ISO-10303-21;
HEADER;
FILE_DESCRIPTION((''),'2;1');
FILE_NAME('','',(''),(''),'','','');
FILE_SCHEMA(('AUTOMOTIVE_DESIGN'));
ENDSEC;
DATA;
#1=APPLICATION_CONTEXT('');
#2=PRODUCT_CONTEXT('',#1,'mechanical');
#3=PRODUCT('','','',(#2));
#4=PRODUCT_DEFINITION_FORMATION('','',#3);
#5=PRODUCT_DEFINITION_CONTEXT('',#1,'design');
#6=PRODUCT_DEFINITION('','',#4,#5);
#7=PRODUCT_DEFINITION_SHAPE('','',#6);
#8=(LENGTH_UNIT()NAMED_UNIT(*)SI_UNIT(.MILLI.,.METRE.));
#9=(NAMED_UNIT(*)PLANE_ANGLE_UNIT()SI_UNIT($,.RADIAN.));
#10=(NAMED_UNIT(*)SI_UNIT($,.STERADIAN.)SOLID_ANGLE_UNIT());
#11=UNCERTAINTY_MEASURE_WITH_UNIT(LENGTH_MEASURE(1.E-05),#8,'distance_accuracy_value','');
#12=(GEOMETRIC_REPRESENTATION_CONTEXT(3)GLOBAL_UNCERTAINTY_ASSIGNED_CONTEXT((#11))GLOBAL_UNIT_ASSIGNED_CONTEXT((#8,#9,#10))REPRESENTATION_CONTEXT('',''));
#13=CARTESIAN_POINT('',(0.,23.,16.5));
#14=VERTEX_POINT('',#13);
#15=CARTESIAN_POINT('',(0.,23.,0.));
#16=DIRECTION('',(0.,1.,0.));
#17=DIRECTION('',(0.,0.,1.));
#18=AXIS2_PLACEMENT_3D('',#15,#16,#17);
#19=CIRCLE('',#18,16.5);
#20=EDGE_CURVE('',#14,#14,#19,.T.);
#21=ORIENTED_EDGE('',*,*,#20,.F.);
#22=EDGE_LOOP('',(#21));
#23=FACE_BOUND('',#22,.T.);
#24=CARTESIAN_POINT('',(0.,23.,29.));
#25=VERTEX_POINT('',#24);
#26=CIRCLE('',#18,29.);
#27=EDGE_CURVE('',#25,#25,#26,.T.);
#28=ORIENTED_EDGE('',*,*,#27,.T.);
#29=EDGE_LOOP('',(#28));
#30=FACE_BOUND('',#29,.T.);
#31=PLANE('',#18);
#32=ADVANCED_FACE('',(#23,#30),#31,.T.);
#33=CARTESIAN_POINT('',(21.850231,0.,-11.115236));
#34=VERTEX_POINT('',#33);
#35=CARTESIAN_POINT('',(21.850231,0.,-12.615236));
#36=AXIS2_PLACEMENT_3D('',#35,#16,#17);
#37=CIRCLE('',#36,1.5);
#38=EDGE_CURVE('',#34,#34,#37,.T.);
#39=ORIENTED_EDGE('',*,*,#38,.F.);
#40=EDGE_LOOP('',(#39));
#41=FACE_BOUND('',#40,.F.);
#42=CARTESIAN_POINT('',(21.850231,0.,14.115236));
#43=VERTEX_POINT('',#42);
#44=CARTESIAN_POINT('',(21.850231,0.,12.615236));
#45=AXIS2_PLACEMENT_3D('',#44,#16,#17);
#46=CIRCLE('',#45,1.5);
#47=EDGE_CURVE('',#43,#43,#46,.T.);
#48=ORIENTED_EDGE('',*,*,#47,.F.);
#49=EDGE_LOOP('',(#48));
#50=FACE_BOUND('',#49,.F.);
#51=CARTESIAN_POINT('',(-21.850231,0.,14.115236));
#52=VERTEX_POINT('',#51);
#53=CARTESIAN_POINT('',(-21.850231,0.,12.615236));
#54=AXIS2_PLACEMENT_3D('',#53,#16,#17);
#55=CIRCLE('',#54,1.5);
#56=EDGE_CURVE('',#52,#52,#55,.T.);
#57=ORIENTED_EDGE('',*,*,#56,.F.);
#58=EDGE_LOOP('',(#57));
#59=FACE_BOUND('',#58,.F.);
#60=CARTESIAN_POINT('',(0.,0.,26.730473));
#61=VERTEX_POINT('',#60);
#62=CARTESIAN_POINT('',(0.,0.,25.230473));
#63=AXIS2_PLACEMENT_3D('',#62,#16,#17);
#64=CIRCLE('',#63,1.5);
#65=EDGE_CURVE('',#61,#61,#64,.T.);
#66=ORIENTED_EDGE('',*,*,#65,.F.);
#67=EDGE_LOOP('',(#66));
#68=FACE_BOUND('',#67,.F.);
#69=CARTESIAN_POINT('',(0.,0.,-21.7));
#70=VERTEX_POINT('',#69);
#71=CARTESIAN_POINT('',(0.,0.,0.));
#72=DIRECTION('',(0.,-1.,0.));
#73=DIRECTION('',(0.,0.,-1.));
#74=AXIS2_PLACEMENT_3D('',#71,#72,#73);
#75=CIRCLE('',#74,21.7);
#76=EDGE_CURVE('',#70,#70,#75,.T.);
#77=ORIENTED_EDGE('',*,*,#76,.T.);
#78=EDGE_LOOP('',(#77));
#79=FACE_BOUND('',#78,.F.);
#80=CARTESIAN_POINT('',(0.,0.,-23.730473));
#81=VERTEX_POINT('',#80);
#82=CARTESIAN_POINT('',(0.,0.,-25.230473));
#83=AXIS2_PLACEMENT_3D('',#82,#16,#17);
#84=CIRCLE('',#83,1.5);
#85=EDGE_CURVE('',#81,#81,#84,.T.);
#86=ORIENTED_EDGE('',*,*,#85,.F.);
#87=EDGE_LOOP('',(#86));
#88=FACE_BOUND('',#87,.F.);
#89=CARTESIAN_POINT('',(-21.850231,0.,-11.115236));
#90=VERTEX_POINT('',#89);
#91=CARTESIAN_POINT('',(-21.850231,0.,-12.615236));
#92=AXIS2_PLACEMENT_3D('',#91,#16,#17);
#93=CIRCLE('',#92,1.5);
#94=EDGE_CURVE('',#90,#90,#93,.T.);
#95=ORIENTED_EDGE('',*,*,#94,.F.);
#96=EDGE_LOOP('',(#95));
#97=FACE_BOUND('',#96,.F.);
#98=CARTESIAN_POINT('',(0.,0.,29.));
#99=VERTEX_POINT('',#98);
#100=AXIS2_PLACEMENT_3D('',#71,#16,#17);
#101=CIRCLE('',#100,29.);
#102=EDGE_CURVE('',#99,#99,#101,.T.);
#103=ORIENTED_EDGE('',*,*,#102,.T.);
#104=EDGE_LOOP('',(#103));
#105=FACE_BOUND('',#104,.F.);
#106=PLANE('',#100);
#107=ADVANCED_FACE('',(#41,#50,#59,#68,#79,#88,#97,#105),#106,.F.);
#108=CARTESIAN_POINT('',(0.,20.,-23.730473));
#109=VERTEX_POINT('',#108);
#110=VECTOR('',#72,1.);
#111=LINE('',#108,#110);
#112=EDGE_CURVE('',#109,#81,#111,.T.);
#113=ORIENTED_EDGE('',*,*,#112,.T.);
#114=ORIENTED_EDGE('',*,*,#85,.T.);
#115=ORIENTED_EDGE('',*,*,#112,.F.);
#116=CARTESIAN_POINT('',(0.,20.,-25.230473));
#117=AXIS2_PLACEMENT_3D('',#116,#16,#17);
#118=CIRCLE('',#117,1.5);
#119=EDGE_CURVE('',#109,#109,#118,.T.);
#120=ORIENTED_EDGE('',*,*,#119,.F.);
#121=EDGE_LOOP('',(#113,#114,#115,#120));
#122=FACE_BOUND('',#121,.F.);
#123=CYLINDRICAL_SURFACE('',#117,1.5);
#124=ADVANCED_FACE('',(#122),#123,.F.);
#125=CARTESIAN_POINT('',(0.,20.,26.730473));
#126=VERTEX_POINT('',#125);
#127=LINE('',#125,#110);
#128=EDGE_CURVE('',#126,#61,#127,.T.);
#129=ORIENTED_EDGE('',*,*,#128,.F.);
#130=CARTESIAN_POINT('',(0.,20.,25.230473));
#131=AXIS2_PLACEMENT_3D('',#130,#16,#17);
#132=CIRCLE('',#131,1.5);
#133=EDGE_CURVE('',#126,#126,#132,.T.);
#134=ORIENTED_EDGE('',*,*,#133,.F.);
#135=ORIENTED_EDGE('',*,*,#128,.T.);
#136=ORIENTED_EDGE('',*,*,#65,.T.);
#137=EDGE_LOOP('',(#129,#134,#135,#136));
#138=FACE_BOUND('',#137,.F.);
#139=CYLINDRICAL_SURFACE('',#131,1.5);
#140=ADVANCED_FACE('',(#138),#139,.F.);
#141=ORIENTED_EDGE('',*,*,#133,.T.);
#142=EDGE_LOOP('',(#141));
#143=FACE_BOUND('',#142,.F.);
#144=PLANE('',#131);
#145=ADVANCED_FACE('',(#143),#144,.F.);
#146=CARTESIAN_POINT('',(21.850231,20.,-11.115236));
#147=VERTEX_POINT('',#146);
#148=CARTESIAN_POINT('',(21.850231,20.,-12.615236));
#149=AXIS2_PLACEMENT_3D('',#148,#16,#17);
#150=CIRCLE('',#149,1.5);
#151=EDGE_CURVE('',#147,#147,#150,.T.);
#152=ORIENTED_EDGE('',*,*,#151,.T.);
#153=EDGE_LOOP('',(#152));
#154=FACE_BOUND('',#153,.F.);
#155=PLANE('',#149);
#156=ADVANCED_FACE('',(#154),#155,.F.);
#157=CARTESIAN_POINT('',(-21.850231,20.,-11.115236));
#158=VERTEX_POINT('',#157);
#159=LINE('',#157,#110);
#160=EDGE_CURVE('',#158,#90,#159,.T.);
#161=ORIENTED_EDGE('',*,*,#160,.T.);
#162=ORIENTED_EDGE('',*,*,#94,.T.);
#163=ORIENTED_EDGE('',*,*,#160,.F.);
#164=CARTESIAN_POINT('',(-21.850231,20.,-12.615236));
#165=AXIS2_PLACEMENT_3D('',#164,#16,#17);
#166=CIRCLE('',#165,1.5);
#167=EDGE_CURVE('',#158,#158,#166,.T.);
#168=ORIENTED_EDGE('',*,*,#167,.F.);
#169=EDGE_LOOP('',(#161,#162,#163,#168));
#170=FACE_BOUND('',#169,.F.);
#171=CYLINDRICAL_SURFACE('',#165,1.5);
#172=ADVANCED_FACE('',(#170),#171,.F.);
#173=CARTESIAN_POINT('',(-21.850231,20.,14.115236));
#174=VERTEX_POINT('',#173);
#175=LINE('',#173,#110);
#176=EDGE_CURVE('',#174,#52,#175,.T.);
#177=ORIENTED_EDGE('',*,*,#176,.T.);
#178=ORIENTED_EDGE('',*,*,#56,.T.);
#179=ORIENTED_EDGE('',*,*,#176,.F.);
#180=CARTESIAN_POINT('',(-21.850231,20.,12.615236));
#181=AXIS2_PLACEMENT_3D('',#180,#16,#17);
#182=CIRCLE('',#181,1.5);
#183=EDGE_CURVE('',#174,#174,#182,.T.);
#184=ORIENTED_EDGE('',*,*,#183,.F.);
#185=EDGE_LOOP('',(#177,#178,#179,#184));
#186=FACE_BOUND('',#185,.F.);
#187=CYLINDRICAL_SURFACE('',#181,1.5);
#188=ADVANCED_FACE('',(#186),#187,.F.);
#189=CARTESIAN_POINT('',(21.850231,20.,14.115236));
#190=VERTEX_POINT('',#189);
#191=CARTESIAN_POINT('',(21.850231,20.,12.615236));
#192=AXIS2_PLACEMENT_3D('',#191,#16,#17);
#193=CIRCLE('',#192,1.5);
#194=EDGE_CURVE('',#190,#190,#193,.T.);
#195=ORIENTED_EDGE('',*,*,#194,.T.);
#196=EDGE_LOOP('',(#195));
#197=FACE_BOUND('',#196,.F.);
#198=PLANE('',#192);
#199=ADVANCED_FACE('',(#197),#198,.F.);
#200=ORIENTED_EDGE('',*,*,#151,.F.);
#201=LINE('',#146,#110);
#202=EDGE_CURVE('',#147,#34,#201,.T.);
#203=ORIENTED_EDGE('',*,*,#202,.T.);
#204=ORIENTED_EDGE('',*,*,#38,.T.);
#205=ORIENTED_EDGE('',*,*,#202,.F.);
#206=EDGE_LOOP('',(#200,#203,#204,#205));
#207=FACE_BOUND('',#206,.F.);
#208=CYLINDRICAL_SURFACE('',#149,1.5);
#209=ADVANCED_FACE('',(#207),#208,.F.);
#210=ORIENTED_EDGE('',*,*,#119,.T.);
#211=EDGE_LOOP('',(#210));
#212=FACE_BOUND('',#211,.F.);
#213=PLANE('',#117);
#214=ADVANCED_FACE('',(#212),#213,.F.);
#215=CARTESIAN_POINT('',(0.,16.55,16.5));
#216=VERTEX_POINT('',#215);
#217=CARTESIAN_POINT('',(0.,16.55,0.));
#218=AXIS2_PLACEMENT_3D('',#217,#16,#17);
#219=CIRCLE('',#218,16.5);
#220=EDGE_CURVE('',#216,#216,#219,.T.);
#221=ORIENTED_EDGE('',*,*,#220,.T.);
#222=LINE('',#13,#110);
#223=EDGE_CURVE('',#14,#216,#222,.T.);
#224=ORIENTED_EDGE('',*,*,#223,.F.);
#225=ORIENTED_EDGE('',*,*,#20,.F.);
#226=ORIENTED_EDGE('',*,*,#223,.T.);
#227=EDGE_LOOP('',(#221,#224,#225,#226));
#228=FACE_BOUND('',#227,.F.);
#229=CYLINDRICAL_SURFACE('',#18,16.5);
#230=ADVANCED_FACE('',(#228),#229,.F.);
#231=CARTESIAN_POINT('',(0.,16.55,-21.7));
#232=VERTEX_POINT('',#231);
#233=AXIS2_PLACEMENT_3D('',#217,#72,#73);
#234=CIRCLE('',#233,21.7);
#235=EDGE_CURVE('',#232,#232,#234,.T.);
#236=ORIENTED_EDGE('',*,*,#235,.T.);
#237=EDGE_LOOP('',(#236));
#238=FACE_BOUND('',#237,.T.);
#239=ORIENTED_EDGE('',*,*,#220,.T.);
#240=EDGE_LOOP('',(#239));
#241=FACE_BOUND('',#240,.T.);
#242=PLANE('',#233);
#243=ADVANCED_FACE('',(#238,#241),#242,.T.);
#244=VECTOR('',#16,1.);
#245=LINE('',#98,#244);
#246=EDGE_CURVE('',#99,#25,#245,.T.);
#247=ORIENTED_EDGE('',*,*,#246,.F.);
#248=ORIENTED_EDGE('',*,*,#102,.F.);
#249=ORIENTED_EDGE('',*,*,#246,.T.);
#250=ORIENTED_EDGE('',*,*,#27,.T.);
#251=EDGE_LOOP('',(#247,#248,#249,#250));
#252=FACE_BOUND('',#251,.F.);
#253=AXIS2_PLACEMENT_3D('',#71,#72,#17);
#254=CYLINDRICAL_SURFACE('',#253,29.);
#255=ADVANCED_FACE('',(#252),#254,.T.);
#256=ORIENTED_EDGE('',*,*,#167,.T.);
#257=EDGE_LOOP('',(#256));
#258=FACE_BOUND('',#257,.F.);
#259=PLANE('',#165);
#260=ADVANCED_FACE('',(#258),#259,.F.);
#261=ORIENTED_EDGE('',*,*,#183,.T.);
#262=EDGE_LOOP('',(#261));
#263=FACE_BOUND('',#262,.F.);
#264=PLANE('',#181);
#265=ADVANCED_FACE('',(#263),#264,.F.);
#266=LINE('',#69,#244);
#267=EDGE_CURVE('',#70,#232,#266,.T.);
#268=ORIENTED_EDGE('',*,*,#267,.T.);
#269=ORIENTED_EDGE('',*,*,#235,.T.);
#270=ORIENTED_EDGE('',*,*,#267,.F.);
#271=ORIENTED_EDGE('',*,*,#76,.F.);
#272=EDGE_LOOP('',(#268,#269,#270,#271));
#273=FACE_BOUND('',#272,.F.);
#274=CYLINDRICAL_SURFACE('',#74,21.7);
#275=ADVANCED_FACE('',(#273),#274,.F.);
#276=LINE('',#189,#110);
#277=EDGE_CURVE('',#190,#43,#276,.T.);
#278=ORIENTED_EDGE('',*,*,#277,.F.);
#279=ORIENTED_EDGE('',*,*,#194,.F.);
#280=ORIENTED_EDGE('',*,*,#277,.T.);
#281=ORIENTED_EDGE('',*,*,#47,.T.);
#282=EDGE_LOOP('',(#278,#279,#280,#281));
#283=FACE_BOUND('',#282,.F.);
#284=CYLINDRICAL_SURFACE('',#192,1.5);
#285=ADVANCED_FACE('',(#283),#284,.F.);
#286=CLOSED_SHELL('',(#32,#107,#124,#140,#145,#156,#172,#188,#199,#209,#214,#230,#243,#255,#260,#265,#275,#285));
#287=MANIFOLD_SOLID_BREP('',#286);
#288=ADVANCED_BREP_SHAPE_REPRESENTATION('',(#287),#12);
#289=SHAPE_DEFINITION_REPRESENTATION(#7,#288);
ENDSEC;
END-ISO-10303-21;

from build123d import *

# Parameters (mm, degrees)
SKETCH2_R          = 29
EXTRUDE1_DEPTH     = 23
SKETCH3_R          = 21.7
CUT_EXTRUDE1_DEPTH = 16.55
SKETCH4_R          = 16.5
CUT_EXTRUDE2_DEPTH = 48.021271782
CUT_EXTRUDE3_START = -3
SKETCH5_R          = 1.5
CUT_EXTRUDE3_DEPTH = 45.021271782


with BuildPart() as part:
    # Sketch2 → Extrude1 (new body)
    with BuildSketch(Plane(origin=(0, 0, 0), x_dir=(1, 0, 0), z_dir=(0, 1, 0))):
        with Locations(Location((0, 0, 0), (0, 0, 270))):
            Circle(SKETCH2_R)
    extrude(amount=EXTRUDE1_DEPTH)

    # Sketch3 → Cut-Extrude1 (cut)
    with BuildSketch(Plane.XZ):
        with Locations(Location((0, 0, 0), (0, 0, 270))):
            Circle(SKETCH3_R)
    extrude(amount=-CUT_EXTRUDE1_DEPTH, mode=Mode.SUBTRACT)

    # Sketch4 → Cut-Extrude2 (cut, through all)
    with BuildSketch(Plane(origin=(0, 23, 0), x_dir=(1, 0, 0), z_dir=(0, 1, 0))):
        with Locations(Location((0, 0, 0), (0, 0, 270))):
            Circle(SKETCH4_R)
    extrude(amount=-CUT_EXTRUDE2_DEPTH, mode=Mode.SUBTRACT)

    # Sketch5 → Cut-Extrude3 (cut, through all)
    with BuildSketch(Plane(origin=(0, 23, 0), x_dir=(1, 0, 0), z_dir=(0, 1, 0)).offset(CUT_EXTRUDE3_START)):
        with Locations(Location((0, 25.230472928, 0), (0, 0, 270))):
            Circle(SKETCH5_R)
        with Locations(Location((21.850230505, 12.615236464, 0), (0, 0, 270))):
            Circle(SKETCH5_R)
        with Locations(Location((21.850230505, -12.615236464, 0), (0, 0, 270))):
            Circle(SKETCH5_R)
        with Locations(Location((0, -25.230472928, 0), (0, 0, 270))):
            Circle(SKETCH5_R)
        with Locations(Location((-21.850230505, -12.615236464, 0), (0, 0, 270))):
            Circle(SKETCH5_R)
        with Locations(Location((-21.850230505, 12.615236464, 0), (0, 0, 270))):
            Circle(SKETCH5_R)
    extrude(amount=-CUT_EXTRUDE3_DEPTH, mode=Mode.SUBTRACT)


solid = part.part
